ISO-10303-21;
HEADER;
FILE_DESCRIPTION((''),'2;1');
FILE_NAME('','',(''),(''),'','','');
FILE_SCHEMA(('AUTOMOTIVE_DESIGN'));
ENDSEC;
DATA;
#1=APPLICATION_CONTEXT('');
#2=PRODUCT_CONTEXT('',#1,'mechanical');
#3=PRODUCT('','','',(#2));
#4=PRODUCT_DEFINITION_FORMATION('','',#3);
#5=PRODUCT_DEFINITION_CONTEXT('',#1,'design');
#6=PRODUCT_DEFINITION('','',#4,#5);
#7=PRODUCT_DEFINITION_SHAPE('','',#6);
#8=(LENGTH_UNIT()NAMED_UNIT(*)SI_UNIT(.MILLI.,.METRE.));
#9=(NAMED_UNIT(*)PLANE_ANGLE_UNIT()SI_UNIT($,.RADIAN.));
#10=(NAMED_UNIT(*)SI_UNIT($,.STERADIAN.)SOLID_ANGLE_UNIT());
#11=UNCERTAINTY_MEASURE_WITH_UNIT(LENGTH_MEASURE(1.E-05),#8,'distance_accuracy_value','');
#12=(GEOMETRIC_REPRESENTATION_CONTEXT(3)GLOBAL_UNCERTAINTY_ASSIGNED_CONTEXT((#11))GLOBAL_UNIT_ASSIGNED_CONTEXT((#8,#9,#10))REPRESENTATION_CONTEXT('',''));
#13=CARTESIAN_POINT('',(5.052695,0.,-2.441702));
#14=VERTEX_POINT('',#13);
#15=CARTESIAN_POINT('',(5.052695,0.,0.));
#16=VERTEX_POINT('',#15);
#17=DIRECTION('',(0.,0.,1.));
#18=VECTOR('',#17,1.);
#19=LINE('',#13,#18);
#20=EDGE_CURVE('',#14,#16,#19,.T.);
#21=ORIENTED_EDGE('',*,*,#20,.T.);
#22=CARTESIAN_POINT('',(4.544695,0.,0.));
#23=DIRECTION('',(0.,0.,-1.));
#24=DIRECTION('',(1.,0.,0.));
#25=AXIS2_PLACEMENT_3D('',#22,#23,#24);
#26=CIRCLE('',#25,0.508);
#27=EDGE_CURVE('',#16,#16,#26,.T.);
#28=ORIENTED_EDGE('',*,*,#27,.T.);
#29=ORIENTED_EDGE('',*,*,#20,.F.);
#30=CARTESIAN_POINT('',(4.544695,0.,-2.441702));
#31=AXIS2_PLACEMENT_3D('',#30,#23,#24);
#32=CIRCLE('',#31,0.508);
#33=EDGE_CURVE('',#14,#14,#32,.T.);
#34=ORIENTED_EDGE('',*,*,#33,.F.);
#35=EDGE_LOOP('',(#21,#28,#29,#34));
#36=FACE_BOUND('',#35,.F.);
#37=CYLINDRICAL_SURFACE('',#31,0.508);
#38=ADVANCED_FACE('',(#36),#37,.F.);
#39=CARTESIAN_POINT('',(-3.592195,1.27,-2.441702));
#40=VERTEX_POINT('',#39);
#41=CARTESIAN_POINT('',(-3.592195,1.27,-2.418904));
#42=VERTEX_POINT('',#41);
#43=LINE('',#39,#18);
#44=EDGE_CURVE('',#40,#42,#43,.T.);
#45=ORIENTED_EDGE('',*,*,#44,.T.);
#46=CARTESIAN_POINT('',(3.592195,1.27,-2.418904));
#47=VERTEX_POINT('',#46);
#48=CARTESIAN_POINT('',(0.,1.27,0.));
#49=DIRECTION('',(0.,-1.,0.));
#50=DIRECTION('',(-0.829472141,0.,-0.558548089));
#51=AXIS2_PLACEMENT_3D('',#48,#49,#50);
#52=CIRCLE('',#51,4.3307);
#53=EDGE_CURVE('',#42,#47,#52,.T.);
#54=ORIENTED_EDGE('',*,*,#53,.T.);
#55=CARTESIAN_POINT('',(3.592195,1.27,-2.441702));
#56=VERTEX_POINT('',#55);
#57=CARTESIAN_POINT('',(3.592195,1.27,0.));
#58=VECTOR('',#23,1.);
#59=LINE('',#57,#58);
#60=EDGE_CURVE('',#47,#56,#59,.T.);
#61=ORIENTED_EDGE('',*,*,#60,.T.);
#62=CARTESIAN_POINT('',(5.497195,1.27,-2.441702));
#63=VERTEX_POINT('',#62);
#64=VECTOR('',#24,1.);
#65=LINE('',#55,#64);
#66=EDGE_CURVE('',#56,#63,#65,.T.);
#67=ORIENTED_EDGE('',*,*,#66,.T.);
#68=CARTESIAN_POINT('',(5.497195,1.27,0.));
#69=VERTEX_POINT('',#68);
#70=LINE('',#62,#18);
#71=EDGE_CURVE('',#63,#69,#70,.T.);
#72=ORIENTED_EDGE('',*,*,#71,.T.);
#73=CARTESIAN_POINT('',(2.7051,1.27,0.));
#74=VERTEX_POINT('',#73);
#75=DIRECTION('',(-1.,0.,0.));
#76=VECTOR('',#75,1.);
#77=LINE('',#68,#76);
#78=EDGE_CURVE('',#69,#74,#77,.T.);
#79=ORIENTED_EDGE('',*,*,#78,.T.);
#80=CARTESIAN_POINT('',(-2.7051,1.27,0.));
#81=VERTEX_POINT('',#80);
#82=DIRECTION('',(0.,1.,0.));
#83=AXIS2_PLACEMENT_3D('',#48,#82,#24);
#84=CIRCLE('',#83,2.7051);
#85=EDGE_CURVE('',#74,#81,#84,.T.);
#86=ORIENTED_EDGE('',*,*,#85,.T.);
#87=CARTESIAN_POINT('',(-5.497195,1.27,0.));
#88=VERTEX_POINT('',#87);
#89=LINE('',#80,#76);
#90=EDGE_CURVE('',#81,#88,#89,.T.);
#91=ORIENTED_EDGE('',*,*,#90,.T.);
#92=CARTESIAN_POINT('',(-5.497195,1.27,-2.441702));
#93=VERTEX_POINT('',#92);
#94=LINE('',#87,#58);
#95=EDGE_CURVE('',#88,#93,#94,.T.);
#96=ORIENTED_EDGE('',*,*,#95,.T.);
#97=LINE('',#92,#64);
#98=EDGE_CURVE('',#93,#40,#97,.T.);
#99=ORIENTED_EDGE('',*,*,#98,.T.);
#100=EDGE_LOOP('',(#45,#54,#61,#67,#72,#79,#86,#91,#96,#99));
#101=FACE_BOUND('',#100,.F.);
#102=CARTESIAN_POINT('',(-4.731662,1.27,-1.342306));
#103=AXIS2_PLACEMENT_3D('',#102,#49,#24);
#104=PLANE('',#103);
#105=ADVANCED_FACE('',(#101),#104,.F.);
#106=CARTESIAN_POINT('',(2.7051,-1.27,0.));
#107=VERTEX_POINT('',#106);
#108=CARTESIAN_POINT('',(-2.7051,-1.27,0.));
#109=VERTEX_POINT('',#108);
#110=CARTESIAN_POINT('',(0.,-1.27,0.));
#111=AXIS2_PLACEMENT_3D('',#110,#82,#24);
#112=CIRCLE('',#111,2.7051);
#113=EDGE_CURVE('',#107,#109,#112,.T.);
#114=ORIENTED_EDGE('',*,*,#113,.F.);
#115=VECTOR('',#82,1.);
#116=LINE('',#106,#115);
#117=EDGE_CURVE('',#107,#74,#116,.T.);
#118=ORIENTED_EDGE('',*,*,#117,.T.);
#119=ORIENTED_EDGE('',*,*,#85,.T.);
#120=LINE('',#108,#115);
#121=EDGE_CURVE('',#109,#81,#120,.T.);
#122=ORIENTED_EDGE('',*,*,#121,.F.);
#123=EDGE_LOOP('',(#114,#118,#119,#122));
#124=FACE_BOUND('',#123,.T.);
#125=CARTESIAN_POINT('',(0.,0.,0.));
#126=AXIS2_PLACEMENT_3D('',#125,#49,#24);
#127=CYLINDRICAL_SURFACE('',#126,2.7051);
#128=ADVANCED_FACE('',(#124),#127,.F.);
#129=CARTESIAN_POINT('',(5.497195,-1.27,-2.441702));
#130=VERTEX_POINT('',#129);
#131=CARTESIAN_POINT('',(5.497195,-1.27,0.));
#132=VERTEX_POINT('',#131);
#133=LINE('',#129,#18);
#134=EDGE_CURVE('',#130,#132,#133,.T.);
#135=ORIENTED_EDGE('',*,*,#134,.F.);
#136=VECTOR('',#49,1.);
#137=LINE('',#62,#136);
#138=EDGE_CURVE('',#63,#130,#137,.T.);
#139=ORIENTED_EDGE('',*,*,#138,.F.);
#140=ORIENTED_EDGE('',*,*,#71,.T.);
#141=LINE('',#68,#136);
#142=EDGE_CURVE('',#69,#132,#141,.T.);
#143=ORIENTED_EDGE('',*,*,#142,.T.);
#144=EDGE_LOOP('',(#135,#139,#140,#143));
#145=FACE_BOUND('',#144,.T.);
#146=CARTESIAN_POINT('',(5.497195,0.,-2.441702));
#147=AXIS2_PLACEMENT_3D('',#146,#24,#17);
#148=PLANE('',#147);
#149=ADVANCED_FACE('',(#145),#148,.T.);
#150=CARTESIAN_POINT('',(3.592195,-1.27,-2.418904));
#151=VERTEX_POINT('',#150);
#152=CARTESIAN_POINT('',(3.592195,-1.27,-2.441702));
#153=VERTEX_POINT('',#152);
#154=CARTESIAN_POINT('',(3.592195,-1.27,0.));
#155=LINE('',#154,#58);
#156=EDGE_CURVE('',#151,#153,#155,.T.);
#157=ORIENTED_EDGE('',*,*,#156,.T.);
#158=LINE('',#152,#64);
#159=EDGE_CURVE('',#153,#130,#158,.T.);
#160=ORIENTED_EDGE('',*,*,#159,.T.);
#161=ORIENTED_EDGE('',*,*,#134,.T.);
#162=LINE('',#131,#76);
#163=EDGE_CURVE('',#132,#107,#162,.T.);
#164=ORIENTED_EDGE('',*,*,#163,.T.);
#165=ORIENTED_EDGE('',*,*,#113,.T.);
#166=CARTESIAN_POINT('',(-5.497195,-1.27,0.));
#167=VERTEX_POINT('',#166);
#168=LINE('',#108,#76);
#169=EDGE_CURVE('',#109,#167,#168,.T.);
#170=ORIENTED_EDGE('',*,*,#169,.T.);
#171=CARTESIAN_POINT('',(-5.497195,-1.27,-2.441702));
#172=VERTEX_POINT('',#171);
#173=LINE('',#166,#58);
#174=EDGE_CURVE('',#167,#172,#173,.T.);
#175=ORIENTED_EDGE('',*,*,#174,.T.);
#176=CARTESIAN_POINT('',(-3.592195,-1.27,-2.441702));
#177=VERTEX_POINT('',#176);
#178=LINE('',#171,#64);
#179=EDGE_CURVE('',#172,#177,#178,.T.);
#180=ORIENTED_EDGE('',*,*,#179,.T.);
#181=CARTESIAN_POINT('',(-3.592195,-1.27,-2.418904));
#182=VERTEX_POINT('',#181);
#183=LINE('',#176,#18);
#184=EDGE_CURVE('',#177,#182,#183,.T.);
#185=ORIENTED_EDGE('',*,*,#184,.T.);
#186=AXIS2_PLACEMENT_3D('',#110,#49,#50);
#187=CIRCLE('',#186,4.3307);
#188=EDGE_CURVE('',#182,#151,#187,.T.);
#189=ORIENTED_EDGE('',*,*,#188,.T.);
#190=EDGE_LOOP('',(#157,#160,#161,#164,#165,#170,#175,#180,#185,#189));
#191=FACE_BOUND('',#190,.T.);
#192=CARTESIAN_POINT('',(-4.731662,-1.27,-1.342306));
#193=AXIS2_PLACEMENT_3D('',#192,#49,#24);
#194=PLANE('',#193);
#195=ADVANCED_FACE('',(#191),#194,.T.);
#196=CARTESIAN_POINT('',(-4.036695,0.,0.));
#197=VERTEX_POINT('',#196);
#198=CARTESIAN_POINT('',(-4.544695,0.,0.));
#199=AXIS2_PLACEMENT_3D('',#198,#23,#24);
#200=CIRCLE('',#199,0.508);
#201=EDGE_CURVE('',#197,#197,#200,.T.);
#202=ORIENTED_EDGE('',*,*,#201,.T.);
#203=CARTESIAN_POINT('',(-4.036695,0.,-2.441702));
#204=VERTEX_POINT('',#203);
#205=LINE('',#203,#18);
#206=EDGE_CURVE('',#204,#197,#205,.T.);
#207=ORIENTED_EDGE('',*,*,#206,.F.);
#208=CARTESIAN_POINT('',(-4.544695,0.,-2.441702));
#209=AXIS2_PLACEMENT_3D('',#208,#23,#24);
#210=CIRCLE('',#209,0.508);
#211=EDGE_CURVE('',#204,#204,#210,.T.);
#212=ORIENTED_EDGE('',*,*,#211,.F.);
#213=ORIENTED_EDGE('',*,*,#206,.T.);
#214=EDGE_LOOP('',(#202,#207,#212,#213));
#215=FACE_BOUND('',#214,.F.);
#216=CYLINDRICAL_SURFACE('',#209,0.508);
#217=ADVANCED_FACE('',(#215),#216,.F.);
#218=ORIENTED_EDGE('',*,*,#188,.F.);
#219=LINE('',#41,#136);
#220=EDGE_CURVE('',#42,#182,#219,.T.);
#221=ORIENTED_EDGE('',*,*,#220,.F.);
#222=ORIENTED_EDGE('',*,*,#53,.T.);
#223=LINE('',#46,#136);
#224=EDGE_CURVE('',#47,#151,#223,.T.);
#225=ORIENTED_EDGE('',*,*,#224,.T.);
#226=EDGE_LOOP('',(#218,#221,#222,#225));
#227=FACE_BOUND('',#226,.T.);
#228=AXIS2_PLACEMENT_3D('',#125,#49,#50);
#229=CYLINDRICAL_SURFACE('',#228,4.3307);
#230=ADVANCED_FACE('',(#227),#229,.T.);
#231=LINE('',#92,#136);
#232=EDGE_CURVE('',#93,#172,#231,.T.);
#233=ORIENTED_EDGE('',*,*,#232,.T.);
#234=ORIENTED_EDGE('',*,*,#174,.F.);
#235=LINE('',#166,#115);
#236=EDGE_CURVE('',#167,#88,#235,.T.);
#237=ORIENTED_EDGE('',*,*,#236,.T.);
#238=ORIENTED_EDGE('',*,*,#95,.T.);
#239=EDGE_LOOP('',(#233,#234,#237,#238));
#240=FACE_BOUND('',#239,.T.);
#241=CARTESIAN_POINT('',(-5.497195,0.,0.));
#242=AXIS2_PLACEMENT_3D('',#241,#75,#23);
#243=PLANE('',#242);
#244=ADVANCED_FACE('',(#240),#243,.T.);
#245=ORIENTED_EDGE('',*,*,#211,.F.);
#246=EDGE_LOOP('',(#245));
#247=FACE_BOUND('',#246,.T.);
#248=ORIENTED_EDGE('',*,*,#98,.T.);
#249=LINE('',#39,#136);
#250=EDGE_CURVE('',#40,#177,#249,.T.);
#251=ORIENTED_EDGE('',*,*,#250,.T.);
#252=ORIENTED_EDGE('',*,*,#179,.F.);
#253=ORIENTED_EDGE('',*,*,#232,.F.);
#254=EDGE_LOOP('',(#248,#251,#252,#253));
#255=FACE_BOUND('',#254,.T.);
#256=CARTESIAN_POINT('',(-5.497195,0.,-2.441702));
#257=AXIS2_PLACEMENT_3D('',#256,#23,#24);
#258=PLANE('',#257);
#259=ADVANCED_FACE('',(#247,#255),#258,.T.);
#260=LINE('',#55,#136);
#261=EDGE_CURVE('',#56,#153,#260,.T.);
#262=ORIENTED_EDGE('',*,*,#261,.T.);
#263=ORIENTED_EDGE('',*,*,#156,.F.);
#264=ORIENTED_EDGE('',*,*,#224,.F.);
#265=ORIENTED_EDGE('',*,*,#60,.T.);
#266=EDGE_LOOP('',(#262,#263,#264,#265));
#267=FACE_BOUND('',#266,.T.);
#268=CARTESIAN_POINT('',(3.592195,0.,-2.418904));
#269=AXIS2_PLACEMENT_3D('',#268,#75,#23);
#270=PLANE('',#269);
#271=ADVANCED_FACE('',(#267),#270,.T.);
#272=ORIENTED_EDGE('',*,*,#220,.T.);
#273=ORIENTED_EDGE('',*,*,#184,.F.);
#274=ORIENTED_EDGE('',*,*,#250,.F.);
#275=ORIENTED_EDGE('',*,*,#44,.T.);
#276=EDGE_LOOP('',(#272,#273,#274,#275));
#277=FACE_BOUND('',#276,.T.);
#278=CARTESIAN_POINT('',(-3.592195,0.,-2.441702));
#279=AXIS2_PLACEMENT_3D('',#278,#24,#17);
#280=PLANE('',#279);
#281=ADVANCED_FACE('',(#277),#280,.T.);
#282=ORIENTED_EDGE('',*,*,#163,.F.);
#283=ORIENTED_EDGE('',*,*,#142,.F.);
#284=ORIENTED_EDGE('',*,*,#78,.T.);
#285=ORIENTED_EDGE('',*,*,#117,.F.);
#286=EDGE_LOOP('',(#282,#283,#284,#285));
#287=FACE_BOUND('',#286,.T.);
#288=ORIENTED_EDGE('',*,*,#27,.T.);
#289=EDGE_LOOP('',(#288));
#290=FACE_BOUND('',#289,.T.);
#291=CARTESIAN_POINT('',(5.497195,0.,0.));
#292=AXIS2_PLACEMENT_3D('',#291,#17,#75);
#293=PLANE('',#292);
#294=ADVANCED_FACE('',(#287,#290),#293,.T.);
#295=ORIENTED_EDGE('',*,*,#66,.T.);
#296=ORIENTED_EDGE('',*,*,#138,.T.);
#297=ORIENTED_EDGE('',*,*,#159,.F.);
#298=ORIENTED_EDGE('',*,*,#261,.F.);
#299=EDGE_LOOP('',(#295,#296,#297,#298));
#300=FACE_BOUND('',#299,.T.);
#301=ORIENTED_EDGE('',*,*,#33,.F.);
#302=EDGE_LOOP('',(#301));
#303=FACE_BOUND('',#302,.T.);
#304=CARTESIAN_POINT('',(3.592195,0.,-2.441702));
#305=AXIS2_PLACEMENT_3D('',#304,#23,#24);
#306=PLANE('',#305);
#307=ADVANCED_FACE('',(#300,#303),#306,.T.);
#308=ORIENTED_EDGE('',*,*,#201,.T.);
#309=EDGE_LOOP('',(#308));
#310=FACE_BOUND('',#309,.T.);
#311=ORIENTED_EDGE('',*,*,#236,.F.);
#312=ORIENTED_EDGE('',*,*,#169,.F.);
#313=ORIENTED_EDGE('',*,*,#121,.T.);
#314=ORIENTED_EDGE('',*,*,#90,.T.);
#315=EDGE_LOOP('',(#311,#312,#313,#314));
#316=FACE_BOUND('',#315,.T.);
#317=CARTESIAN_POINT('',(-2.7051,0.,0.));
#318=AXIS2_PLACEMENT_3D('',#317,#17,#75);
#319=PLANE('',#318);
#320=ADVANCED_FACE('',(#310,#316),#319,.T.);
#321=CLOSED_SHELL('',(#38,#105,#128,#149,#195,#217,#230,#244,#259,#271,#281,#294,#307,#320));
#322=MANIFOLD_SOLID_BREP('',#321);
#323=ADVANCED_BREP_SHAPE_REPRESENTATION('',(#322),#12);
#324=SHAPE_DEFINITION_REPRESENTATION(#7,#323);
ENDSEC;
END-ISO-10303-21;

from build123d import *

# Parameters (mm, degrees)
F1_DEPTH = 1.27
F3_R     = 0.508
F2_R     = 0.508
F4_DEPTH = 25.4


with BuildPart() as f1:
    # F0 (on Front) → F1 (new body, symmetric)
    with BuildSketch(Plane.XZ):
        with BuildLine():
            ThreePointArc((-3.592195, -2.4189042089), (-4.1419609714, -1.2645638781), (-4.3307, 0))
            Line((-4.3307, 0), (-5.497195, 0))
            Line((-5.497195, 0), (-5.497195, -2.441702))
            Line((-5.497195, -2.441702), (-3.592195, -2.441702))
            Line((-3.592195, -2.441702), (-3.592195, -2.4189042089))
        make_face()
        with BuildLine():
            Line((5.497195, 0), (4.3307, 0))
            ThreePointArc((4.3307, 0), (4.1419609714, -1.2645638781), (3.592195, -2.4189042089))
            Line((3.592195, -2.4189042089), (3.592195, -2.441702))
            Line((3.592195, -2.441702), (5.497195, -2.441702))
            Line((5.497195, -2.441702), (5.497195, 0))
        make_face()
        with BuildLine():
            Line((-3.592195, 0), (-4.3307, 0))
            ThreePointArc((-4.3307, 0), (-4.1419609714, -1.2645638781), (-3.592195, -2.4189042089))
            Line((-3.592195, -2.4189042089), (-3.592195, 0))
        make_face()
        with BuildLine():
            ThreePointArc((3.592195, -2.4189042089), (4.1419609714, -1.2645638781), (4.3307, 0))
            Line((4.3307, 0), (3.592195, 0))
            Line((3.592195, 0), (3.592195, -2.4189042089))
        make_face()
        with BuildLine():
            ThreePointArc((-3.592195, -2.4189042089), (0, -4.3307), (3.592195, -2.4189042089))
            Line((3.592195, -2.4189042089), (3.592195, 0))
            Line((3.592195, 0), (2.7051, 0))
            ThreePointArc((2.7051, 0), (0, -2.7051), (-2.7051, 0))
            Line((-2.7051, 0), (-3.592195, 0))
            Line((-3.592195, 0), (-3.592195, -2.4189042089))
        make_face()
    extrude(amount=F1_DEPTH, both=True)

    # F3 (on face) + F2 (on face) → F4 (cut)
    with BuildSketch(Plane(origin=(0, 0, -2.441702), x_dir=(1, 0, 0), z_dir=(0, 0, -1))):
        with Locations((4.544695, 0)):
            Circle(F3_R)
    with BuildSketch(Plane(origin=(0, 0, -2.441702), x_dir=(1, 0, 0), z_dir=(0, 0, -1))):
        with Locations((-4.544695, 0)):
            Circle(F2_R)
    extrude(amount=-F4_DEPTH, mode=Mode.SUBTRACT)


solid = f1.part
